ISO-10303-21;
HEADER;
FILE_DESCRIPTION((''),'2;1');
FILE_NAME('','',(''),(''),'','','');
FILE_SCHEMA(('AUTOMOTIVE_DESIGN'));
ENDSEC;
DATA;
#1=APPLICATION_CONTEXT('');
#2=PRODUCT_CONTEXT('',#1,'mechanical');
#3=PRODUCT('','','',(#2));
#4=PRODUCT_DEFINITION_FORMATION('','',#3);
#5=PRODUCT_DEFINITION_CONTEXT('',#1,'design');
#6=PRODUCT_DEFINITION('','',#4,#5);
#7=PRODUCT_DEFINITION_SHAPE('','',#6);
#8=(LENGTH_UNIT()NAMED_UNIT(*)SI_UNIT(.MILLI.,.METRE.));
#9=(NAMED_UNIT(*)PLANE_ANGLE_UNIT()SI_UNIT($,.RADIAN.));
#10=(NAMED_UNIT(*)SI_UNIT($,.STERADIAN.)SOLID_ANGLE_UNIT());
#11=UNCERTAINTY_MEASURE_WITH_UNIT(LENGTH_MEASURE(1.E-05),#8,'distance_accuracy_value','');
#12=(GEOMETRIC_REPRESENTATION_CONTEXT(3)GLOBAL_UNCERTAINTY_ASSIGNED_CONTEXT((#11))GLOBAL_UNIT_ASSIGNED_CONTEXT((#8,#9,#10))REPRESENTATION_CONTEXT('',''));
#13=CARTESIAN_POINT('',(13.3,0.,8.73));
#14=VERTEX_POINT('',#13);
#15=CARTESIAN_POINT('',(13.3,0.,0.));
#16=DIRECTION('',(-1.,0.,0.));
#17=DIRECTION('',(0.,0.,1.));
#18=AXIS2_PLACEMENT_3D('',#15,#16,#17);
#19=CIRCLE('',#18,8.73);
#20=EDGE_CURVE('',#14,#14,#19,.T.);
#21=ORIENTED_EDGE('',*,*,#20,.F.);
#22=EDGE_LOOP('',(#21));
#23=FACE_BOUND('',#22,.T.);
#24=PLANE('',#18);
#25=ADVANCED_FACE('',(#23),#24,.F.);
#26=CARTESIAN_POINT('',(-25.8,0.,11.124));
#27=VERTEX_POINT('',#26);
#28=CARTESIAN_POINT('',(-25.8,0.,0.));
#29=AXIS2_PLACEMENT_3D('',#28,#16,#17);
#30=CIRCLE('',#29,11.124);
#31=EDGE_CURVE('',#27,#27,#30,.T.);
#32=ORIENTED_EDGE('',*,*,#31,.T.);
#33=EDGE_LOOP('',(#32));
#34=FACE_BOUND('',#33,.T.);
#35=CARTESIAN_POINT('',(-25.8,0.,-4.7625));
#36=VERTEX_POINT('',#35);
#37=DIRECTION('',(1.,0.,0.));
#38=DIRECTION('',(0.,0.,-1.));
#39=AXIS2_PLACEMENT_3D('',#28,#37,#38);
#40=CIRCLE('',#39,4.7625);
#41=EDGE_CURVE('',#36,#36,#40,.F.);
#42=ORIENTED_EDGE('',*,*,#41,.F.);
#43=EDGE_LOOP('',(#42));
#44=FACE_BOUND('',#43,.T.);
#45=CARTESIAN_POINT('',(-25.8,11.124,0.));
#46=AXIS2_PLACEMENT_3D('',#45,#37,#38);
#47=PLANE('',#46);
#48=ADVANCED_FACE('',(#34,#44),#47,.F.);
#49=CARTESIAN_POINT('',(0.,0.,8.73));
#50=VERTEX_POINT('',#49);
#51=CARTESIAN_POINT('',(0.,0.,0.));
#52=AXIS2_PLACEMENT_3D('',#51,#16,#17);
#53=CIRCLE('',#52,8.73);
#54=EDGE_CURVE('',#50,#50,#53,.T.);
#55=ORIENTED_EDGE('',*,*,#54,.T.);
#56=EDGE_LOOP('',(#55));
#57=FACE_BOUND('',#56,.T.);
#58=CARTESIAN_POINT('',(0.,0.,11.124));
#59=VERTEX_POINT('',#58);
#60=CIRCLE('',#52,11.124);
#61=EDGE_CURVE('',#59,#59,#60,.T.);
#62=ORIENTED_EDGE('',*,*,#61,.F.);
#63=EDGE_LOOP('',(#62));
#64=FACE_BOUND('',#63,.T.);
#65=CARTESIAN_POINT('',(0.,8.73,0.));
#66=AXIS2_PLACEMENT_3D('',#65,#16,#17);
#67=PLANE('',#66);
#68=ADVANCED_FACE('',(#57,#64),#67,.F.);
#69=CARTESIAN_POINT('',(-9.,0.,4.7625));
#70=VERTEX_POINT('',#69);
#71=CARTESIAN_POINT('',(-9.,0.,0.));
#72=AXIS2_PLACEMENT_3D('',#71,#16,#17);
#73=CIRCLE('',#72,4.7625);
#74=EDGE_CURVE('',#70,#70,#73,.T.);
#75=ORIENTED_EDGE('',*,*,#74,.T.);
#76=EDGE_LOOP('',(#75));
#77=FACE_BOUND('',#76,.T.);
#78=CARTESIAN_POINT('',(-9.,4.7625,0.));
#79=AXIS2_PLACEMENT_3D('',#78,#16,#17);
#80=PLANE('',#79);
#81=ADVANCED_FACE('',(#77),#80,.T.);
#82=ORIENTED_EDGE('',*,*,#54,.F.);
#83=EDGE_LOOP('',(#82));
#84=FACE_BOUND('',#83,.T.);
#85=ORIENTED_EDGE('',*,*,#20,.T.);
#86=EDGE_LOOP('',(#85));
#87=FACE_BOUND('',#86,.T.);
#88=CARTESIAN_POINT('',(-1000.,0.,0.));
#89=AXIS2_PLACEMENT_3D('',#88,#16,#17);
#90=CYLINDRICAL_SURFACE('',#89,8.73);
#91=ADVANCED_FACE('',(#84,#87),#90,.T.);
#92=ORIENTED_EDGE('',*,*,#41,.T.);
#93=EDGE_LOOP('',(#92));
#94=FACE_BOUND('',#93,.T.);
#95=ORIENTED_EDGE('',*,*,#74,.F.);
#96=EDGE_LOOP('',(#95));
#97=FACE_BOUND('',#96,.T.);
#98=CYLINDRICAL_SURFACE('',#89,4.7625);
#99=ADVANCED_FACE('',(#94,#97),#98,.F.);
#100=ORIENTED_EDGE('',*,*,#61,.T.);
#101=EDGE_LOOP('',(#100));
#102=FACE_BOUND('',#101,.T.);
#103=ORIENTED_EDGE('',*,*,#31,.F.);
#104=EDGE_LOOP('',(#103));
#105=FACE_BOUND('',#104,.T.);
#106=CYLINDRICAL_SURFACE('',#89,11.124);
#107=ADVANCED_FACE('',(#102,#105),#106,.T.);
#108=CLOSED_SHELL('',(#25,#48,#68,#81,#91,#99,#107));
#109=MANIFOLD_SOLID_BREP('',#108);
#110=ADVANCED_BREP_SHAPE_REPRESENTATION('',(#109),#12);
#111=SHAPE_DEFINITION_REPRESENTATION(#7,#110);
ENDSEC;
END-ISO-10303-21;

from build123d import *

# Parameters (mm, degrees)
SOCKET_SKETCH_W = 17.8
SOCKET_SKETCH_H = 4.7625


with BuildPart() as part:
    # Conn_T6_ORB8 Sketch → Conn_T6_ORB8 (revolve)
    with BuildSketch(Plane.XY):
        Polygon((13.3, 0), (13.3, 8.73), (0, 8.73), (0, 11.124), (-25.8, 11.124), (-25.8, 0), align=None)
    revolve(axis=Axis((-1000, 0, 0), (1, 0, 0)))

    # Socket Sketch → Socket (revolve, cut)
    with BuildSketch(Plane.XY):
        with Locations((-17.9, 2.38125)):
            Rectangle(SOCKET_SKETCH_W, SOCKET_SKETCH_H)
    revolve(axis=Axis((-1000, 0, 0), (1, 0, 0)), mode=Mode.SUBTRACT)


solid = part.part
